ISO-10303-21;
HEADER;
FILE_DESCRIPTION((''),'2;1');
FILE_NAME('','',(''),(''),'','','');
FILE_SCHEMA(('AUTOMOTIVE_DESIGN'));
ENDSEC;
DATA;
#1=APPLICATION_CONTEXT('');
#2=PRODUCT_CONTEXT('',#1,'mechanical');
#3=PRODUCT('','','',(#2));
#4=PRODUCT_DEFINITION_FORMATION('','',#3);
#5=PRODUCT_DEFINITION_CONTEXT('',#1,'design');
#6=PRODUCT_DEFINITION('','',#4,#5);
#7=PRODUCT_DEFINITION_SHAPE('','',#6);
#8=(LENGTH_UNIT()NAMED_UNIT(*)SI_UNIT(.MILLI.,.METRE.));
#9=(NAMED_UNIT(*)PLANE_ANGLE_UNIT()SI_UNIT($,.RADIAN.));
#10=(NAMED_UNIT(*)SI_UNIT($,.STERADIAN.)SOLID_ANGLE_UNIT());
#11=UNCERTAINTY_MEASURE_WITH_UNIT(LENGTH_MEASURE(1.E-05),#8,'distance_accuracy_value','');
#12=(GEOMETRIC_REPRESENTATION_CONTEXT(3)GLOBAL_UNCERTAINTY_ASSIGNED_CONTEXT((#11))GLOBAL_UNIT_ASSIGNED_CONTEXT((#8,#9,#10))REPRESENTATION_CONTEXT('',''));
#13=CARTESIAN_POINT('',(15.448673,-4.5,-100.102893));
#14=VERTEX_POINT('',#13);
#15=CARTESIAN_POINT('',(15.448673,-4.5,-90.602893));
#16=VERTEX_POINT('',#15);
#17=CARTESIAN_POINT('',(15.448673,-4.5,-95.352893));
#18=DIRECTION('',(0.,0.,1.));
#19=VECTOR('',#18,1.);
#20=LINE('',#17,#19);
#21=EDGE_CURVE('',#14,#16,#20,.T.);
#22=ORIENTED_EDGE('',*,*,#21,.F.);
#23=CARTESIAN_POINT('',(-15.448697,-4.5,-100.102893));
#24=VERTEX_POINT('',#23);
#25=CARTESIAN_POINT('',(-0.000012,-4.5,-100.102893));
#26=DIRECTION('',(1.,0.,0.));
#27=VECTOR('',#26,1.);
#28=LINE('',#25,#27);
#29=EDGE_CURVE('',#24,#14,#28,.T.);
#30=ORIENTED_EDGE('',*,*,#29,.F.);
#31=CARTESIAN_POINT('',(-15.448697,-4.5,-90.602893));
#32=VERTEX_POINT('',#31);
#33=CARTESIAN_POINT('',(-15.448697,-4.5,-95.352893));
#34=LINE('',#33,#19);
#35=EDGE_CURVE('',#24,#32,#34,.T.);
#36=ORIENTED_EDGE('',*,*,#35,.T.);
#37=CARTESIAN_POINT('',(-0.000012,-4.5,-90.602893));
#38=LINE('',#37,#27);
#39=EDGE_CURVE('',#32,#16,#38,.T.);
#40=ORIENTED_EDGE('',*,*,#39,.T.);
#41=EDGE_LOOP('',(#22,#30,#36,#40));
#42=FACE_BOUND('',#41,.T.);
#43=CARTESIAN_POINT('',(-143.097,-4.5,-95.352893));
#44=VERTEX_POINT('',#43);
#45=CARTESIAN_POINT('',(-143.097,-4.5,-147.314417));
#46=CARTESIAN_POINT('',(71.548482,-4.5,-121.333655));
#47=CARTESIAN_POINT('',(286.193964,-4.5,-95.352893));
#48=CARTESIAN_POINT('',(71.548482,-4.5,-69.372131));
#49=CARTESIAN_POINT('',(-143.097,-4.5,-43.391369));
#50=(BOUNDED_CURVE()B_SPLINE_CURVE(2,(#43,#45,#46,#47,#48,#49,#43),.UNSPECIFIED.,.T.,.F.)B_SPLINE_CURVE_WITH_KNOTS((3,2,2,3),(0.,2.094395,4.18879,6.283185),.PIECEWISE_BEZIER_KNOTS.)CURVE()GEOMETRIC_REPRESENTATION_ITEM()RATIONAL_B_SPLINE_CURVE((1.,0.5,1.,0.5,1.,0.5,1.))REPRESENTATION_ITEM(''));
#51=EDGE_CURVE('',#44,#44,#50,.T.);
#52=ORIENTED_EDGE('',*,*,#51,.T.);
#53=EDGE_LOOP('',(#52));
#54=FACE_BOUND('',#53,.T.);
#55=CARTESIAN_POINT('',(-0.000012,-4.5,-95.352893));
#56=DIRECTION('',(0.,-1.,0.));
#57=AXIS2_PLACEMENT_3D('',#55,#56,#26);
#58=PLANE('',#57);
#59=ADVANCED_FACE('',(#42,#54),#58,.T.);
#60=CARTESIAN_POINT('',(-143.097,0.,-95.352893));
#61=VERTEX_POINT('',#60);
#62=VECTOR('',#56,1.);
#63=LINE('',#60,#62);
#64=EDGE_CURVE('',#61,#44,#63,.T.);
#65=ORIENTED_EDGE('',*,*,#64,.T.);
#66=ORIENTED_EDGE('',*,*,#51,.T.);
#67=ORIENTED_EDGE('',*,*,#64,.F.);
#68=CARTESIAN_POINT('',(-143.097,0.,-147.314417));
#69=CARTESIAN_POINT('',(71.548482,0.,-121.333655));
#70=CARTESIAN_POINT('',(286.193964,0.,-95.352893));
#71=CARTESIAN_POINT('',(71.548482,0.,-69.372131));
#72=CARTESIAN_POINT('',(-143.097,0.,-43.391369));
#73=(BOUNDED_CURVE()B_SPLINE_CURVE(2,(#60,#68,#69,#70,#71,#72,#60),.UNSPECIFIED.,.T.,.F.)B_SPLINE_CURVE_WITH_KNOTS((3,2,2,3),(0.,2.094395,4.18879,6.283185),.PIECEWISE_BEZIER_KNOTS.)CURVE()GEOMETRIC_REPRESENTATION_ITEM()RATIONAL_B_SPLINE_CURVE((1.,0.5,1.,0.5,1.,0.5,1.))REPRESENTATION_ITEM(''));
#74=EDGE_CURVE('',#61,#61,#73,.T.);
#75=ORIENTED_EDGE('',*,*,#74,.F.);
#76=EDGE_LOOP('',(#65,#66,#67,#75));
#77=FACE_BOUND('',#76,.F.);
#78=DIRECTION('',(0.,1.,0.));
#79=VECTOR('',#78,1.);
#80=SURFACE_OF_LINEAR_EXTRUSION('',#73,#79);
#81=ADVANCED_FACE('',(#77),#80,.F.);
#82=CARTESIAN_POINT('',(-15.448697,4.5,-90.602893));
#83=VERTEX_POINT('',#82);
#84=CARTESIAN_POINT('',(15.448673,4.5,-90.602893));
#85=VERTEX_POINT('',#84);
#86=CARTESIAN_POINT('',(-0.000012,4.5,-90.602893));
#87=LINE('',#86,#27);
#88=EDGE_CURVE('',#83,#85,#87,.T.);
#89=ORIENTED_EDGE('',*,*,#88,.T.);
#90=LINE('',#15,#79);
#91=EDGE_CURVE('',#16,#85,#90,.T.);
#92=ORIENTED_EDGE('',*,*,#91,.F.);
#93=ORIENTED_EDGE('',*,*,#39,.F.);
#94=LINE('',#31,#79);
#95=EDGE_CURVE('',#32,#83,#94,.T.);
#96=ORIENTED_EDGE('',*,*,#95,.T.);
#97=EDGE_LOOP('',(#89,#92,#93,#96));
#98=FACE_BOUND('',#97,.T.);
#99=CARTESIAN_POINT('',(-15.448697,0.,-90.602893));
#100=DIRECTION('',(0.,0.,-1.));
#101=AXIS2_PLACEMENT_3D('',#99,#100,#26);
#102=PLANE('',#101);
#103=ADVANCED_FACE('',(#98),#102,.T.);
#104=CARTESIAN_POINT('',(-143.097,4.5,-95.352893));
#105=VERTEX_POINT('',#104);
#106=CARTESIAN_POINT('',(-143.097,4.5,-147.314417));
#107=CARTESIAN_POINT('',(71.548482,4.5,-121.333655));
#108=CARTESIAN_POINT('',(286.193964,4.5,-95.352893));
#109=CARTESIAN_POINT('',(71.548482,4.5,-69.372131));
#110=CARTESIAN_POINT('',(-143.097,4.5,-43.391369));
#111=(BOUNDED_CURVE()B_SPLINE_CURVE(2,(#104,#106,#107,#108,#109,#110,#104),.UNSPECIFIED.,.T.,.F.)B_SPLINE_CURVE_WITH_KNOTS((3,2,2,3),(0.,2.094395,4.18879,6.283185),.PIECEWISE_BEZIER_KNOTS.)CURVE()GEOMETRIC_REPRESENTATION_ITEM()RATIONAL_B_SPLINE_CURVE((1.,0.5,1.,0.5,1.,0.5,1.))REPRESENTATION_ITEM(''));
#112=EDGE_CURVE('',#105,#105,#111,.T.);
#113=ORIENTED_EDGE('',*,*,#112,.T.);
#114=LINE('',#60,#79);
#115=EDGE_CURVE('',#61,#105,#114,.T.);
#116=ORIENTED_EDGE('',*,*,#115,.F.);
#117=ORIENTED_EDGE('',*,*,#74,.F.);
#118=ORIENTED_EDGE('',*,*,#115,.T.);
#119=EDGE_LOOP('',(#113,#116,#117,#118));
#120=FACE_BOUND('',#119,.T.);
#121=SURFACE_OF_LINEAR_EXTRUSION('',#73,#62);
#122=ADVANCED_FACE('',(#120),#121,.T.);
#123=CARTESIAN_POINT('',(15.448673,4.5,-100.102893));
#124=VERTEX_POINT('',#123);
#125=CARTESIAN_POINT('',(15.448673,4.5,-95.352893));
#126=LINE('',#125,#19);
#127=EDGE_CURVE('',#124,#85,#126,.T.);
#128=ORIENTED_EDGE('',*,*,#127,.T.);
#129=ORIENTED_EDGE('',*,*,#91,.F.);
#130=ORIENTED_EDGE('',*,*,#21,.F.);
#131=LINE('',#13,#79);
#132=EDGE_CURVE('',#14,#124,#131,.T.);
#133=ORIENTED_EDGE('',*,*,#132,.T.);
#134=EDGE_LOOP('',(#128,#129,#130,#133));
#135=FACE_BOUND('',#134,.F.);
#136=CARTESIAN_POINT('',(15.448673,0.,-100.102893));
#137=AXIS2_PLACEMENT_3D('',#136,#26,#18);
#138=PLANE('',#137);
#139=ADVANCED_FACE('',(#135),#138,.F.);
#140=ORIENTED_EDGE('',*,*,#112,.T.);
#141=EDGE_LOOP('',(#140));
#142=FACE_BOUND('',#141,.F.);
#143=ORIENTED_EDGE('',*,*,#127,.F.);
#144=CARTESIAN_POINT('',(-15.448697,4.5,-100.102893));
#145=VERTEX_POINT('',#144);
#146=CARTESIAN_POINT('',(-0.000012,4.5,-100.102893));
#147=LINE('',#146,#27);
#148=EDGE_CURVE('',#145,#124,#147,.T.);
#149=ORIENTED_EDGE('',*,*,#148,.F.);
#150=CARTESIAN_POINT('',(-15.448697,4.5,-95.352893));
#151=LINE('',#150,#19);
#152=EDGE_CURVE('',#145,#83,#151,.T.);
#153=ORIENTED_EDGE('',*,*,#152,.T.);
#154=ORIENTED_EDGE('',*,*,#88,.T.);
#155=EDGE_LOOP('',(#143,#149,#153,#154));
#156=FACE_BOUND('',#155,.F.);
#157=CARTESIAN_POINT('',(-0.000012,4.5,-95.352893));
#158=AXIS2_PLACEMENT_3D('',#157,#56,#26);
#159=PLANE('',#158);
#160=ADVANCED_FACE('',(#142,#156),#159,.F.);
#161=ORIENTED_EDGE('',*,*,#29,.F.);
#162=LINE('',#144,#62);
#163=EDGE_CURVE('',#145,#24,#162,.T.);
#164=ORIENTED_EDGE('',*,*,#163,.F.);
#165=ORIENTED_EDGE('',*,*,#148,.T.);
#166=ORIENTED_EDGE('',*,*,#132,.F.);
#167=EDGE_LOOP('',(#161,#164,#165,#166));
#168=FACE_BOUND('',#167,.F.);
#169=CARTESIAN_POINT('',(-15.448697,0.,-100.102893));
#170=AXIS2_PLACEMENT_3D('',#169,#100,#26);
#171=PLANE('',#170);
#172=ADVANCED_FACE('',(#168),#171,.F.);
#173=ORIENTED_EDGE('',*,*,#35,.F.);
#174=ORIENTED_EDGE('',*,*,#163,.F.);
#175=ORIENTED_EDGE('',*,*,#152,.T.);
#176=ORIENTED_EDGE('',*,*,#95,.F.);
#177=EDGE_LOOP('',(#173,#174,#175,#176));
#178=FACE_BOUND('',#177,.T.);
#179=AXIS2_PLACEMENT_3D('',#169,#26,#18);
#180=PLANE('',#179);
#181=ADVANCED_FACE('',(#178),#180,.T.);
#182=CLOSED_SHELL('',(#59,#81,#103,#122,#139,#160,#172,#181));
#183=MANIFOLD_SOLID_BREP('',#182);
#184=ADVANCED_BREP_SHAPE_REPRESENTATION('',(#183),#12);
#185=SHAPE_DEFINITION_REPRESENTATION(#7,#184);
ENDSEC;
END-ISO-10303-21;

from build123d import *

# Parameters (mm, degrees)
F0_W     = 30.897369
F0_H     = 9.5
F1_DEPTH = 4.5


with BuildPart() as f1:
    # F0 (on Front) → F1 (new body, symmetric)
    with BuildSketch(Plane.XZ):
        with BuildLine():
            add(Edge.make_bspline(
                [(-143.097, -95.352893), (-143.097, -147.314417), (71.548482, -121.333655), (286.193964, -95.352893), (71.548482, -69.372131), (-143.097, -43.391369), (-143.097, -95.352893)],
                knots=[0, 0, 0, 2.094395, 2.094395, 4.18879, 4.18879, 6.283185, 6.283185, 6.283185], degree=2, weights=[1, 0.5, 1, 0.5, 1, 0.5, 1]))
        make_face()
        with Locations((-1.2e-05, -95.352893)):
            Rectangle(F0_W, F0_H, mode=Mode.SUBTRACT)
    extrude(amount=F1_DEPTH, both=True)


solid = f1.part
